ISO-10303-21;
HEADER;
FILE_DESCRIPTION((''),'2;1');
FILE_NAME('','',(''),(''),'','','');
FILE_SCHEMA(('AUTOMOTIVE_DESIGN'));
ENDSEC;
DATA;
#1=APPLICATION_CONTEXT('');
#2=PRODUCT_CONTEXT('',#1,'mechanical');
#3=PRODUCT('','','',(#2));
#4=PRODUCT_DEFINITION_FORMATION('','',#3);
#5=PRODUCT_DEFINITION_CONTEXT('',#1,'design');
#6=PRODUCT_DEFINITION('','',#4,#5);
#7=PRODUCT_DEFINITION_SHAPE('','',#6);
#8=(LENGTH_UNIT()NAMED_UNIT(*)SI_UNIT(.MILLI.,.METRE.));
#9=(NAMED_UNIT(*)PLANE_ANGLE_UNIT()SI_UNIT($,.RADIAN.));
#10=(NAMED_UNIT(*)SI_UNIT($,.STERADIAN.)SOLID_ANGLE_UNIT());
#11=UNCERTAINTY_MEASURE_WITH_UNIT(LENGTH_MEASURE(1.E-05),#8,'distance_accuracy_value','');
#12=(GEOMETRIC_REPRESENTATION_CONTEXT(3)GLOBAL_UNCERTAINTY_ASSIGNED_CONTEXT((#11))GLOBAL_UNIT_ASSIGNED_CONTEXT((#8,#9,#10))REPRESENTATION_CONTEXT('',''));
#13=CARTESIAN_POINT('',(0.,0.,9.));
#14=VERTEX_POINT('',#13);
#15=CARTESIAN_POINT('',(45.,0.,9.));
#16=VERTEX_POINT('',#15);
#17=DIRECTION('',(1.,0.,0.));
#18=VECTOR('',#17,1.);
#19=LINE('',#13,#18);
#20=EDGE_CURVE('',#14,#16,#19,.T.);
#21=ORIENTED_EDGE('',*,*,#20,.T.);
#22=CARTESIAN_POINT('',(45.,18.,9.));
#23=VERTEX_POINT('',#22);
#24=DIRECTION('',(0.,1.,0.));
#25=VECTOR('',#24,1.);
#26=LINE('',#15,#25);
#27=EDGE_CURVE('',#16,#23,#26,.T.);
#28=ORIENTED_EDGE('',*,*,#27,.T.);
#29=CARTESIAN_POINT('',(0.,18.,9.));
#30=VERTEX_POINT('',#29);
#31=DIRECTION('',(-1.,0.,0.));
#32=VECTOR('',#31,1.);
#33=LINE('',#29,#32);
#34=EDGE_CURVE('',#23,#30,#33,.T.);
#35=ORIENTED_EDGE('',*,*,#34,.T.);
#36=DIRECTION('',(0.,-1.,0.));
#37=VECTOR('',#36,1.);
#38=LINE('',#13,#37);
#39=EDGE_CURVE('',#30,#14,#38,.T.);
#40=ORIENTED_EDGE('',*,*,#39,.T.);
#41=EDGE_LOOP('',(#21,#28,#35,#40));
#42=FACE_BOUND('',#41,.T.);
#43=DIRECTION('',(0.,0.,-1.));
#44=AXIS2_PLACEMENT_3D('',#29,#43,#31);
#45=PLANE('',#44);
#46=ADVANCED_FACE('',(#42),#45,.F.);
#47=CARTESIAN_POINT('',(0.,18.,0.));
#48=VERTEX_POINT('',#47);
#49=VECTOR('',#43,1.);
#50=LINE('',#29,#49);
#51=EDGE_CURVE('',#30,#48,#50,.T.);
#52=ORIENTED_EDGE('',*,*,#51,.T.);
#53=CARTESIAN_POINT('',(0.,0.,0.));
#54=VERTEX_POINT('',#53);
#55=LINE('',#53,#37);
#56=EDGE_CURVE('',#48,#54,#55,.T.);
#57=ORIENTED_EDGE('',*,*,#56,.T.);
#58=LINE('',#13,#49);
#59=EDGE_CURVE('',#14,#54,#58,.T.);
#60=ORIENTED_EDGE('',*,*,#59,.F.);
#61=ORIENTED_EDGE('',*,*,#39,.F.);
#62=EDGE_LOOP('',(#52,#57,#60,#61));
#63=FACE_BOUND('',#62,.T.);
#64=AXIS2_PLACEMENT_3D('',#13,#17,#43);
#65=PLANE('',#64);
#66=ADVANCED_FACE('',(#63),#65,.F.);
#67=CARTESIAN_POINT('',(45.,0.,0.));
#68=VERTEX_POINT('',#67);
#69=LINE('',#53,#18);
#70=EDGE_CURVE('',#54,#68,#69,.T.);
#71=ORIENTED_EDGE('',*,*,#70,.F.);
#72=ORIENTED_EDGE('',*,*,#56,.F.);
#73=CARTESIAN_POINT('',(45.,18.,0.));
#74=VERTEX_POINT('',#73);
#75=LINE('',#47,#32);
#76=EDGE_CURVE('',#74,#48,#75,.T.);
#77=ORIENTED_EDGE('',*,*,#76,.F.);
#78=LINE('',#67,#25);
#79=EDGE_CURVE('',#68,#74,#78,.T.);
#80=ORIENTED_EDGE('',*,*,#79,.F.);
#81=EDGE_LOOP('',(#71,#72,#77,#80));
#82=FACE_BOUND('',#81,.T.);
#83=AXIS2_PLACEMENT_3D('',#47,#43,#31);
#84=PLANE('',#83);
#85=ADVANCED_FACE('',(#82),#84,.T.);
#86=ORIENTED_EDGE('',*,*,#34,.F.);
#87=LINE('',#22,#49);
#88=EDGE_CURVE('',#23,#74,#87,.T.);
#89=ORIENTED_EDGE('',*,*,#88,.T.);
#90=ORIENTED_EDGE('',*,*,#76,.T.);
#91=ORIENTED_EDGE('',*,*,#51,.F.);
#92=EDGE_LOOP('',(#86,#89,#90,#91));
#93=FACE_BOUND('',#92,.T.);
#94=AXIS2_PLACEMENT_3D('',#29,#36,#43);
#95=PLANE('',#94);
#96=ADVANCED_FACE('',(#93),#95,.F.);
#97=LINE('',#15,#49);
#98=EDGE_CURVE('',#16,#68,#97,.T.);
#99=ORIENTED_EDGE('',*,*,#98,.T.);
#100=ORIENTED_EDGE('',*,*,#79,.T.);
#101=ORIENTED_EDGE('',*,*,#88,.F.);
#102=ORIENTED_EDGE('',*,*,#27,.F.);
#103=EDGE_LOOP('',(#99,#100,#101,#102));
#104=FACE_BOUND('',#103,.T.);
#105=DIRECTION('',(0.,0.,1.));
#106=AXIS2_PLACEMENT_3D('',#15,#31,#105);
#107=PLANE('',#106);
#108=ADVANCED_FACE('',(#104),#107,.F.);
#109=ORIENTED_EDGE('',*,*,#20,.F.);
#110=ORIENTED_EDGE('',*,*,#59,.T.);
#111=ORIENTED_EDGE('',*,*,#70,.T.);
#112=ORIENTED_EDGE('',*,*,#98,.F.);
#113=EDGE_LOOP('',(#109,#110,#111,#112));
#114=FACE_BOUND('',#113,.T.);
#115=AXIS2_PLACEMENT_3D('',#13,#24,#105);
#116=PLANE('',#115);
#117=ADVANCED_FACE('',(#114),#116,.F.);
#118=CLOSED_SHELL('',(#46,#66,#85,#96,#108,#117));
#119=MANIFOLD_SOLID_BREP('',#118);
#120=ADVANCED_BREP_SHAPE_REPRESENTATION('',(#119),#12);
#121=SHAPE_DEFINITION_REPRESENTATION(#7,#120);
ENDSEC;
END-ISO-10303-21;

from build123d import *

# Parameters (mm, degrees)
ESQUISSE1_W        = 45
ESQUISSE1_H        = 18
BOSS_EXTRU_1_DEPTH = 9


with BuildPart() as part:
    # Esquisse1 → Boss.-Extru.1 (new body)
    with BuildSketch(Plane.XY):
        with Locations((22.5, 9)):
            Rectangle(ESQUISSE1_W, ESQUISSE1_H)
    extrude(amount=BOSS_EXTRU_1_DEPTH)


solid = part.part
